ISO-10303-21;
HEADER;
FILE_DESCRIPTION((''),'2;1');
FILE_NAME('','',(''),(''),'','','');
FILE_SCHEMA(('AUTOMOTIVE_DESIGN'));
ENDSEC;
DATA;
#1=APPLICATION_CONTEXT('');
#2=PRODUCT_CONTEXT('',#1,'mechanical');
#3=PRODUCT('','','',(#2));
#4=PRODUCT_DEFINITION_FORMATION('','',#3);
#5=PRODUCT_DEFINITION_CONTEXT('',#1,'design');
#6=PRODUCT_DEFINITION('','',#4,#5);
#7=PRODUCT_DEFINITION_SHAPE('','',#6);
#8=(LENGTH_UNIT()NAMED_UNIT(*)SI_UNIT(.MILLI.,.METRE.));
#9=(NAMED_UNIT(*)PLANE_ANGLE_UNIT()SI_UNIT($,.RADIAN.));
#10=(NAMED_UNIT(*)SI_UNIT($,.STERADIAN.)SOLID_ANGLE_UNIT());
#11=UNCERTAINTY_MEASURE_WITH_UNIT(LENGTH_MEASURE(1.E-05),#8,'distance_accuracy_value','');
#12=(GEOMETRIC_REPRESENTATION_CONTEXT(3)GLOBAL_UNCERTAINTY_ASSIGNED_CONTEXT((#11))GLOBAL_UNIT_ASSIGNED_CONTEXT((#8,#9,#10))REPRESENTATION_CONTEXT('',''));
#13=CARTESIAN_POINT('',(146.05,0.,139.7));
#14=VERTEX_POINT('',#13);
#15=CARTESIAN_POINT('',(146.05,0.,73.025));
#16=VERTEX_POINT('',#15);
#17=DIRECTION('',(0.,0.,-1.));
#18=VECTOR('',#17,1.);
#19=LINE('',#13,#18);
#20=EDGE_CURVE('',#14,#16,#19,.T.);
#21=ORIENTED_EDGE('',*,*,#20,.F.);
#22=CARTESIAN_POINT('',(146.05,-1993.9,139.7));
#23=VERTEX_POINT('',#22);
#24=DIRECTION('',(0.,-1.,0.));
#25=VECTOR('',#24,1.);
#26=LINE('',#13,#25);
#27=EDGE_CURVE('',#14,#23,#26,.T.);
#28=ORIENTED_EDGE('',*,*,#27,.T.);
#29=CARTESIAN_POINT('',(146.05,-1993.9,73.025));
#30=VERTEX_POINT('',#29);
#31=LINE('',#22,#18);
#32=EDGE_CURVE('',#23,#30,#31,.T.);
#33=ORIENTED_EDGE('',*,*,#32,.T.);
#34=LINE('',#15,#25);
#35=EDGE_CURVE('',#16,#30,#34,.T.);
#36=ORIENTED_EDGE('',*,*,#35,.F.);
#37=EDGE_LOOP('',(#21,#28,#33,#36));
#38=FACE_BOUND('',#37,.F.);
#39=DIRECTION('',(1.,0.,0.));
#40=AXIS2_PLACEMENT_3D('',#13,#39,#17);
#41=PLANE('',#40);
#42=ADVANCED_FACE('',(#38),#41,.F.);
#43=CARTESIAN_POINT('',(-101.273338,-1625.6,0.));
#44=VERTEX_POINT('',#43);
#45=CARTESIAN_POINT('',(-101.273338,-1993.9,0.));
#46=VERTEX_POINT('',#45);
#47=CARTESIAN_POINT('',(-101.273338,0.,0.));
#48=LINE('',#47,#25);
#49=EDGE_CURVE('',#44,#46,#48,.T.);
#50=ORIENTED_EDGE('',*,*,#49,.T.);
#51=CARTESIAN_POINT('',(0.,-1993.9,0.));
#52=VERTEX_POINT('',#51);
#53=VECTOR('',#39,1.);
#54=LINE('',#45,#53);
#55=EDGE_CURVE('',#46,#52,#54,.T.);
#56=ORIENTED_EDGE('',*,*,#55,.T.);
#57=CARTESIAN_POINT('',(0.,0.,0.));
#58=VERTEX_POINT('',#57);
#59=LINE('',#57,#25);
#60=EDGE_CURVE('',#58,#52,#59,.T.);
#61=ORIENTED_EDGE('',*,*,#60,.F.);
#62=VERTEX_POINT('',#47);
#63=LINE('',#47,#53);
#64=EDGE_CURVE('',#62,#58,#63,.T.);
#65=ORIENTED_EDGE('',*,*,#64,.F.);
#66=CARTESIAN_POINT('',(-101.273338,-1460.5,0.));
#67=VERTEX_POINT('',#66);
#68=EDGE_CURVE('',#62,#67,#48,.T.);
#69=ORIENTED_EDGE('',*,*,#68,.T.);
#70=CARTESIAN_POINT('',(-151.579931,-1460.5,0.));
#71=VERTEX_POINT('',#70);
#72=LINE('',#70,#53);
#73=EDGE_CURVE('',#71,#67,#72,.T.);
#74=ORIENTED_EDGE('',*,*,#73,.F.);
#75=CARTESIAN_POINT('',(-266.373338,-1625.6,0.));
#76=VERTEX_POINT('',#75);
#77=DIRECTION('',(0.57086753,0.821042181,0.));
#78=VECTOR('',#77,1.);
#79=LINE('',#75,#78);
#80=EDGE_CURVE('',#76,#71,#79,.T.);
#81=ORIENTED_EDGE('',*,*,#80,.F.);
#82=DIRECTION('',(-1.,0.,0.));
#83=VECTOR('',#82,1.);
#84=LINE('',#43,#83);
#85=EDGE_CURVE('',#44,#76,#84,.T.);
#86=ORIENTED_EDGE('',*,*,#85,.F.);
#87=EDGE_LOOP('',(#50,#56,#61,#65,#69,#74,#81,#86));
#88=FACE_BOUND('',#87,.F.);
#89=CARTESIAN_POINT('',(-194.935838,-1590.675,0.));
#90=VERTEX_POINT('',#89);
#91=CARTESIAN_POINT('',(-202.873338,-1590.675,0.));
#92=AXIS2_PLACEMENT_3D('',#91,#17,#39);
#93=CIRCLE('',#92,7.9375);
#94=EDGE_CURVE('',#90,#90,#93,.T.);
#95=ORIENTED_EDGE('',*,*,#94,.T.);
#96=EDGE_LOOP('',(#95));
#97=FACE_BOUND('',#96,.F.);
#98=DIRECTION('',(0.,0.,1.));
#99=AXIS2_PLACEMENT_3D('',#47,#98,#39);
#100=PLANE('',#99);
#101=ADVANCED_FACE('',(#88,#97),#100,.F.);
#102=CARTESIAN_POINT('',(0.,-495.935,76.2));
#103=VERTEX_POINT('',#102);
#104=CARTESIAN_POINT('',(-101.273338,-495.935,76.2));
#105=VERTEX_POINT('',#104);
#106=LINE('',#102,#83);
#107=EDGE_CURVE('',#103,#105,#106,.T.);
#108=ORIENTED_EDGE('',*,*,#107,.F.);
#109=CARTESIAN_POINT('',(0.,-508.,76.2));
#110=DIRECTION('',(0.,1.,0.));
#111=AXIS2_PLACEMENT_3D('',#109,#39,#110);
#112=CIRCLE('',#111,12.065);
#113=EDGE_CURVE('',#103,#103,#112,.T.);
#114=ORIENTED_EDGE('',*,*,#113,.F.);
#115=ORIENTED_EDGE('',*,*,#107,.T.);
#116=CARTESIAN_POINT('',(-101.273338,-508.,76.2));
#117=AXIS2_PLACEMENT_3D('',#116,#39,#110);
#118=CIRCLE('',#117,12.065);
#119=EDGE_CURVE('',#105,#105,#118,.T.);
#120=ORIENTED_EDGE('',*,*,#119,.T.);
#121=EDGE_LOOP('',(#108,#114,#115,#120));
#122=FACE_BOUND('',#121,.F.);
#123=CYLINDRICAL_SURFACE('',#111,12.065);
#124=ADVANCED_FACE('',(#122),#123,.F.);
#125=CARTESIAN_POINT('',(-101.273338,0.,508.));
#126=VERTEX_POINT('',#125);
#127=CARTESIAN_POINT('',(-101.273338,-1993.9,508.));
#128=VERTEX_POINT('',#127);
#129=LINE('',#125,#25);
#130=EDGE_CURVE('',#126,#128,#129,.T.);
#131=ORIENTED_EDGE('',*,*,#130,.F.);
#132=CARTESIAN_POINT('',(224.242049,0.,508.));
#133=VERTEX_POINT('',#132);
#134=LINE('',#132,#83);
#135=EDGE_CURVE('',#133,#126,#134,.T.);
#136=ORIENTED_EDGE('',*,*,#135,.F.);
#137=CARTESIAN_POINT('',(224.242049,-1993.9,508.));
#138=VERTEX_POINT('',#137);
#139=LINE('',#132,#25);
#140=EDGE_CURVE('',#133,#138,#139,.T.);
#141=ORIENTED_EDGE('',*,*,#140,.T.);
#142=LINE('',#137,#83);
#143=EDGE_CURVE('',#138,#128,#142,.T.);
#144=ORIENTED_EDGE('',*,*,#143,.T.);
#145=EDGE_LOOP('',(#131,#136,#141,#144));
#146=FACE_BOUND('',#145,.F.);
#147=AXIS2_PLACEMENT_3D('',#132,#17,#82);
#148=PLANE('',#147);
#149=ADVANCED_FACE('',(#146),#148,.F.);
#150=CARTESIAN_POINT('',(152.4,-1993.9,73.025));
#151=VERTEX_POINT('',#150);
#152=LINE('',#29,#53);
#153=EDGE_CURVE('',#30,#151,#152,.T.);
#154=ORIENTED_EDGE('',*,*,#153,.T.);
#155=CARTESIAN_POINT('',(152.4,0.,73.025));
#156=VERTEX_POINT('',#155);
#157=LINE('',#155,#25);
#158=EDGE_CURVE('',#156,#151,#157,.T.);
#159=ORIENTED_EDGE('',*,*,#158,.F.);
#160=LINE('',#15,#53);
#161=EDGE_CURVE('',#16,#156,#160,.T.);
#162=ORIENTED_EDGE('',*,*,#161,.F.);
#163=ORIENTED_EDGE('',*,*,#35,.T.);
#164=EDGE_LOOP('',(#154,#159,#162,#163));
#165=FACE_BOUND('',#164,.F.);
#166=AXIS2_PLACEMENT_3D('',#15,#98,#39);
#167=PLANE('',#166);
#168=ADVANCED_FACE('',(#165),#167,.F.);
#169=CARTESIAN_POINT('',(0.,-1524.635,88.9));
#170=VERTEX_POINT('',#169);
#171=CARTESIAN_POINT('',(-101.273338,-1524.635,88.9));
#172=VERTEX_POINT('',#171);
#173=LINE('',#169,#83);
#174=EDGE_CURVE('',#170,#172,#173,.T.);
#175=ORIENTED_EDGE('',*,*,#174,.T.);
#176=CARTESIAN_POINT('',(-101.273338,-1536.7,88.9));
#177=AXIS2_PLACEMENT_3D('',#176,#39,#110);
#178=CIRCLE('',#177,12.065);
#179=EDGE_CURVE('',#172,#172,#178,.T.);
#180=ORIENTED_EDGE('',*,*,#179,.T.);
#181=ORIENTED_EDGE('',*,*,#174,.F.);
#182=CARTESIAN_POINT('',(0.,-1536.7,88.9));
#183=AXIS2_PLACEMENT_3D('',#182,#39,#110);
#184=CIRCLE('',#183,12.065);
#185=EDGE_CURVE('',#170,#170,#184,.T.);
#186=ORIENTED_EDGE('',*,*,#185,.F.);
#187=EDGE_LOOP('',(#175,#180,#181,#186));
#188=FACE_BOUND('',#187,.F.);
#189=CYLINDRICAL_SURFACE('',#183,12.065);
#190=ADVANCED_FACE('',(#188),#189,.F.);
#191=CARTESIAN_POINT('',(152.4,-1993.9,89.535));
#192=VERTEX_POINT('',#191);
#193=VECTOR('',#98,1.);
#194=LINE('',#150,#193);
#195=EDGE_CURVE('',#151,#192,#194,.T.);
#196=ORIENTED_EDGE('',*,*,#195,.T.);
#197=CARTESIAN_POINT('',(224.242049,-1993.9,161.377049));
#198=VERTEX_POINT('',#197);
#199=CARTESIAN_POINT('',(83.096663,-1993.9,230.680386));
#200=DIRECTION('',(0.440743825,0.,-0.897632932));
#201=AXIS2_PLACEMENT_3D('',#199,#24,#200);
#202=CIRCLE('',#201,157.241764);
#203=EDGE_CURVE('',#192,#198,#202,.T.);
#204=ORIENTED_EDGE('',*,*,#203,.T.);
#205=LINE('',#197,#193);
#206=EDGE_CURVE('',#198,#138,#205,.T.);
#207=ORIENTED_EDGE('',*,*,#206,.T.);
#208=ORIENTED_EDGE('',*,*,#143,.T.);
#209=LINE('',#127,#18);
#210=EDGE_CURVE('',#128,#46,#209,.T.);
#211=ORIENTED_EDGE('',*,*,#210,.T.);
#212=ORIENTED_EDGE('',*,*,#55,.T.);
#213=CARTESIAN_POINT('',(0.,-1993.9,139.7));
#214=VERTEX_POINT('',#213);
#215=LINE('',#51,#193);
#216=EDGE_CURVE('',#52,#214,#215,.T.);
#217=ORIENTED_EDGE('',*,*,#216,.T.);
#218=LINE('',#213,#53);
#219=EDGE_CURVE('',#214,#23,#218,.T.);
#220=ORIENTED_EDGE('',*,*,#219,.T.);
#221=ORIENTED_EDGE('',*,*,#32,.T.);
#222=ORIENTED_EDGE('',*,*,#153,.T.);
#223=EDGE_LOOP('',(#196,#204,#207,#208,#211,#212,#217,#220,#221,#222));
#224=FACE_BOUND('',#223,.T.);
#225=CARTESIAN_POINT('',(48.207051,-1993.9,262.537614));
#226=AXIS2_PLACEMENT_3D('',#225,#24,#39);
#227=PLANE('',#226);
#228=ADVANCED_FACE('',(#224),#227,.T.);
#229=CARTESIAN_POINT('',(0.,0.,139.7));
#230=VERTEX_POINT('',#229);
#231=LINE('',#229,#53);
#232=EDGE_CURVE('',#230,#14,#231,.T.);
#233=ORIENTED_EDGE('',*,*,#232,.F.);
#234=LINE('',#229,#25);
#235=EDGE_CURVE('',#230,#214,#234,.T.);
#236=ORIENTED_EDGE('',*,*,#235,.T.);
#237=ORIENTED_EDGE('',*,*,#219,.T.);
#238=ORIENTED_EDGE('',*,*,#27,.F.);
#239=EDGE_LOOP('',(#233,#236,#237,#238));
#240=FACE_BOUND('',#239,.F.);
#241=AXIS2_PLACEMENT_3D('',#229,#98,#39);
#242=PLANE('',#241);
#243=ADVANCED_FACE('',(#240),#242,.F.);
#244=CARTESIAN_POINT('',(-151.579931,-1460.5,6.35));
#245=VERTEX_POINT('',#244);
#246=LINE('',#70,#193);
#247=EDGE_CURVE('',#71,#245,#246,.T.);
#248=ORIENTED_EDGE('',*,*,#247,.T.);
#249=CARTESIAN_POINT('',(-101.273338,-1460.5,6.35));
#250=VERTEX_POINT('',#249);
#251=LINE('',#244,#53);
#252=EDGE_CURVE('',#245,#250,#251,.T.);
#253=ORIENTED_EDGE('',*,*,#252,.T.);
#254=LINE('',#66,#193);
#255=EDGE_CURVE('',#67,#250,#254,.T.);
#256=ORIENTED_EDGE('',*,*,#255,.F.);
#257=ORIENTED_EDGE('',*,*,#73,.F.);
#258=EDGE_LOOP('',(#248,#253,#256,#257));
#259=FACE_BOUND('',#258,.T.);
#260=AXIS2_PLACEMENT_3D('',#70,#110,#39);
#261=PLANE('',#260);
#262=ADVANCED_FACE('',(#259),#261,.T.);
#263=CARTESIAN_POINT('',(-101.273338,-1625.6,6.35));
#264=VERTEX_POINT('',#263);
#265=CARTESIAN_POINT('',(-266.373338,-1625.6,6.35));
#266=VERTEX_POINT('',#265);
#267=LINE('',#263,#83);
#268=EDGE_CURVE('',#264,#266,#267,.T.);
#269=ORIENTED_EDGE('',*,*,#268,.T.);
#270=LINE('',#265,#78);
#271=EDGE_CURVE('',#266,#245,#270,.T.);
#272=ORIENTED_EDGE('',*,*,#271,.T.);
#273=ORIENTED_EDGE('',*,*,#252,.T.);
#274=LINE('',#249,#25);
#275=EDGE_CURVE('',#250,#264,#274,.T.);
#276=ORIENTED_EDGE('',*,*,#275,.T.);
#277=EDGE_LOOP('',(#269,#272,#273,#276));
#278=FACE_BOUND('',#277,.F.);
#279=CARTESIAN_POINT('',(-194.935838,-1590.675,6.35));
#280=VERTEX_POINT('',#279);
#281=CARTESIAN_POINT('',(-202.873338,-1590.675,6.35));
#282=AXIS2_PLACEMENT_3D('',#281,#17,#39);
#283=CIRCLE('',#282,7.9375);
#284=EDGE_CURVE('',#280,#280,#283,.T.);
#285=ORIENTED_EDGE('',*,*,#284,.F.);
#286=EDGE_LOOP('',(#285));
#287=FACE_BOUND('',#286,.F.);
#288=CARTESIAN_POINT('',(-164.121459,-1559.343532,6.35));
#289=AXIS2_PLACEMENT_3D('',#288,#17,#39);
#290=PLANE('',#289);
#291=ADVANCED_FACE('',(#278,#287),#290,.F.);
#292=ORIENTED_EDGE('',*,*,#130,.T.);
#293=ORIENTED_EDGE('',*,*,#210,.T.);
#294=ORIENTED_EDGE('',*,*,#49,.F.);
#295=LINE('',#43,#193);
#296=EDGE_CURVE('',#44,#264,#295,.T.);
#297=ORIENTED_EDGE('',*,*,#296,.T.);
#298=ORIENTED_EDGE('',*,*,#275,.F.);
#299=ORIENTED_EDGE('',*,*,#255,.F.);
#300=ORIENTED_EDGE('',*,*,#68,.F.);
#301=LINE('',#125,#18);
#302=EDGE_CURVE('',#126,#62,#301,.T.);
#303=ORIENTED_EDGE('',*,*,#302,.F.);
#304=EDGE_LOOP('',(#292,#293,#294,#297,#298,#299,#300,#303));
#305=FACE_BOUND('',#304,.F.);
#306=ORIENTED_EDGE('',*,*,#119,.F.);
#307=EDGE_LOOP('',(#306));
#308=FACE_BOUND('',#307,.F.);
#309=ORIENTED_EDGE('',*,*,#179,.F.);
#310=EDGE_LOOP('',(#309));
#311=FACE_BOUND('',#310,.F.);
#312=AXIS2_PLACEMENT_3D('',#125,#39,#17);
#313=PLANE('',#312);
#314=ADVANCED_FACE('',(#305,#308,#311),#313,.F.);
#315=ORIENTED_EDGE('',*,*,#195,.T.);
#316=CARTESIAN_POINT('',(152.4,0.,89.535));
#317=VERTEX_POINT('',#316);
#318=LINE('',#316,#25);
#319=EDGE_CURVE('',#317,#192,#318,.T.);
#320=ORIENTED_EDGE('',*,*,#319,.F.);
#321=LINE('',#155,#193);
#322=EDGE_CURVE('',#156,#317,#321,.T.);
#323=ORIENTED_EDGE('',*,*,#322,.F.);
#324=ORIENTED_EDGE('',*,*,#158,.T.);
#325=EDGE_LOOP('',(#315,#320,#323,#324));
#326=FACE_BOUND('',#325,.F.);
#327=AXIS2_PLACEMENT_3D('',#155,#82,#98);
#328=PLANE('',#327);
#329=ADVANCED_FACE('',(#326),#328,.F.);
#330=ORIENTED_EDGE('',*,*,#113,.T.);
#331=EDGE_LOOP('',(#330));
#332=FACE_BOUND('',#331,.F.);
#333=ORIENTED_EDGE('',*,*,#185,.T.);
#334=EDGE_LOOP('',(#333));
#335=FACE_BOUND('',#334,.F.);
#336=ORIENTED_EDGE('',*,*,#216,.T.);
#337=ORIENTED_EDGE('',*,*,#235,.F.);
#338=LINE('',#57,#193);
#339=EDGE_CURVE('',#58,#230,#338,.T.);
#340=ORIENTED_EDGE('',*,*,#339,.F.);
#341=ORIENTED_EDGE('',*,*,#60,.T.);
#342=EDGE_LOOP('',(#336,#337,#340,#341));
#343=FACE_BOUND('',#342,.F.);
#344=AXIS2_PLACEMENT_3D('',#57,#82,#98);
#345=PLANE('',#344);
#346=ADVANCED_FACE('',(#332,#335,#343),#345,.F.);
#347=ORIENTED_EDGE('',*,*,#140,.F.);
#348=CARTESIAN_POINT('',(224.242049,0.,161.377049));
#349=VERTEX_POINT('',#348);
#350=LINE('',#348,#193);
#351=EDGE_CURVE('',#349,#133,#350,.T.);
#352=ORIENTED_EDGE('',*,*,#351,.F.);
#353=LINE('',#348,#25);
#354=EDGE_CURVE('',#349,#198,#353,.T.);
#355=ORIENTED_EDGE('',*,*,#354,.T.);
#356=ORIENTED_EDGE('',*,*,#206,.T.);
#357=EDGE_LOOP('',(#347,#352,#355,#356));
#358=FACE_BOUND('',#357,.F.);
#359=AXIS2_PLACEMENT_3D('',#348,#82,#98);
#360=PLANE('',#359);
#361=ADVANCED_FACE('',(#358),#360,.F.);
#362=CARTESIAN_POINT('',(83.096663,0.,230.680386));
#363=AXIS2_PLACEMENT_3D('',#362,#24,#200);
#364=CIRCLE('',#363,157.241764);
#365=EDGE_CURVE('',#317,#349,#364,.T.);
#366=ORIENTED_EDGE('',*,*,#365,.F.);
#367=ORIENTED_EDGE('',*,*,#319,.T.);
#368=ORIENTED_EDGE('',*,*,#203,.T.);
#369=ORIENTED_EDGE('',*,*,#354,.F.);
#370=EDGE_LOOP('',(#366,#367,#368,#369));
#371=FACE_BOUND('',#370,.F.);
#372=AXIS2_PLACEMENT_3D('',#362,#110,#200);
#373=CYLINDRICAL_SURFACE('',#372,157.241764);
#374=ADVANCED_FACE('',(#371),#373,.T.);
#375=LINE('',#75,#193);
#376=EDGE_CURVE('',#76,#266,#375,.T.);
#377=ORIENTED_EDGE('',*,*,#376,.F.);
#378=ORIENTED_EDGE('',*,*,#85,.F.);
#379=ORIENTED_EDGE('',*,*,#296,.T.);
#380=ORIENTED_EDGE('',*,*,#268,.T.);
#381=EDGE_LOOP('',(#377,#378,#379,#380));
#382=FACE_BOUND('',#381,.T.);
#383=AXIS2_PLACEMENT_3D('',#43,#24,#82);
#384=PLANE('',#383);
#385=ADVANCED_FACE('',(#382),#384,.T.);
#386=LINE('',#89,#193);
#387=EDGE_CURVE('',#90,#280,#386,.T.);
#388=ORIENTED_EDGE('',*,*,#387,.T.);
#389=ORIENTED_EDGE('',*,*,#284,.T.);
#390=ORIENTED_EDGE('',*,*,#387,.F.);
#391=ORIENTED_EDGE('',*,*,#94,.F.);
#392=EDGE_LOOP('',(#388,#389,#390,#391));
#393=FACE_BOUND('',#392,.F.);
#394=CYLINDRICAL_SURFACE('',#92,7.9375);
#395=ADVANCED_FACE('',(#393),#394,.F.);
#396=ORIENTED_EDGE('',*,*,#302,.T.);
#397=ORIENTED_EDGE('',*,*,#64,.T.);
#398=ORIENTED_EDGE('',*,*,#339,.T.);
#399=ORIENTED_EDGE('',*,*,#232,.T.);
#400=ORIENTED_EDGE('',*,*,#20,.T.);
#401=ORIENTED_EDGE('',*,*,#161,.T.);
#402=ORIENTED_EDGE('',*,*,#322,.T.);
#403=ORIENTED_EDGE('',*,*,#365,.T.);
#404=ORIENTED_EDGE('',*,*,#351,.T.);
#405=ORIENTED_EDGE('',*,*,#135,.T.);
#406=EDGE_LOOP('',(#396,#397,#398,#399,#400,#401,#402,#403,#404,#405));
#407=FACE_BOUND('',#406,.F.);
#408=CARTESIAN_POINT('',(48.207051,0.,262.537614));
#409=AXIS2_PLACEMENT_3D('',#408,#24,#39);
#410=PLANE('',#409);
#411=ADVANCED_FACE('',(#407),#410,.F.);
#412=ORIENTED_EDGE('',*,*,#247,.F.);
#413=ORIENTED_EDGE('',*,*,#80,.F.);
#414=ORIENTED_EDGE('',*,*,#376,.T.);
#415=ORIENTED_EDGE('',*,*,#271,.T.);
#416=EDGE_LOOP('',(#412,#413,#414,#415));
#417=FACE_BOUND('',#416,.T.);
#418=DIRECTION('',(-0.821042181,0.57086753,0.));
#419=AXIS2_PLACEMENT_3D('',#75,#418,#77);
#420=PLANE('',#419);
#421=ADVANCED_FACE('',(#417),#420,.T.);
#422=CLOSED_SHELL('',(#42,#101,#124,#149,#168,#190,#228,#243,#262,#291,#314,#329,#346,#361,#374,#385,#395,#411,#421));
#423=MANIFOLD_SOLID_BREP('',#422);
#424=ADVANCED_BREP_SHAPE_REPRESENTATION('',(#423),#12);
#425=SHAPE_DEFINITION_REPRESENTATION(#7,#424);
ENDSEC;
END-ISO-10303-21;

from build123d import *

# Parameters (mm, degrees)
F1_DEPTH = 1993.9
F2_R     = 12.065
F3_DEPTH = 254
F4_R     = 7.9375
F5_DEPTH = 6.35


with BuildPart() as f1:
    # F0 (on Front) → F1 (new body)
    with BuildSketch(Plane.XZ):
        with BuildLine():
            Line((-101.273338, 0), (0, 0))
            Line((0, 0), (0, 139.7))
            Line((0, 139.7), (146.05, 139.7))
            Line((146.05, 139.7), (146.05, 73.025))
            Line((146.05, 73.025), (152.4, 73.025))
            Line((152.4, 73.025), (152.4, 89.535))
            ThreePointArc((152.4, 89.535), (194.283381, 119.493668), (224.242049, 161.377049))
            Line((224.242049, 161.377049), (224.242049, 508))
            Line((224.242049, 508), (-101.273338, 508))
            Line((-101.273338, 508), (-101.273338, 0))
        make_face()
    extrude(amount=F1_DEPTH)

    # F2 (on face) → F3 (cut)
    with BuildSketch(Plane.YZ):
        with Locations((-1536.7, 88.9)):
            Circle(F2_R)
        with Locations((-508, 76.2)):
            Circle(F2_R)
    extrude(amount=-F3_DEPTH, mode=Mode.SUBTRACT)

    # F4 (on face) → F5 (join)
    with BuildSketch(Plane(origin=(0, 0, 0), x_dir=(1, 0, 0), z_dir=(0, 0, -1))):
        Polygon((-101.273338, 1460.5), (-101.273338, 1625.6), (-266.373338, 1625.6), (-151.579931, 1460.5), align=None)
        with Locations((-202.873338, 1590.675)):
            Circle(F4_R, mode=Mode.SUBTRACT)
    extrude(amount=-F5_DEPTH)


solid = f1.part
